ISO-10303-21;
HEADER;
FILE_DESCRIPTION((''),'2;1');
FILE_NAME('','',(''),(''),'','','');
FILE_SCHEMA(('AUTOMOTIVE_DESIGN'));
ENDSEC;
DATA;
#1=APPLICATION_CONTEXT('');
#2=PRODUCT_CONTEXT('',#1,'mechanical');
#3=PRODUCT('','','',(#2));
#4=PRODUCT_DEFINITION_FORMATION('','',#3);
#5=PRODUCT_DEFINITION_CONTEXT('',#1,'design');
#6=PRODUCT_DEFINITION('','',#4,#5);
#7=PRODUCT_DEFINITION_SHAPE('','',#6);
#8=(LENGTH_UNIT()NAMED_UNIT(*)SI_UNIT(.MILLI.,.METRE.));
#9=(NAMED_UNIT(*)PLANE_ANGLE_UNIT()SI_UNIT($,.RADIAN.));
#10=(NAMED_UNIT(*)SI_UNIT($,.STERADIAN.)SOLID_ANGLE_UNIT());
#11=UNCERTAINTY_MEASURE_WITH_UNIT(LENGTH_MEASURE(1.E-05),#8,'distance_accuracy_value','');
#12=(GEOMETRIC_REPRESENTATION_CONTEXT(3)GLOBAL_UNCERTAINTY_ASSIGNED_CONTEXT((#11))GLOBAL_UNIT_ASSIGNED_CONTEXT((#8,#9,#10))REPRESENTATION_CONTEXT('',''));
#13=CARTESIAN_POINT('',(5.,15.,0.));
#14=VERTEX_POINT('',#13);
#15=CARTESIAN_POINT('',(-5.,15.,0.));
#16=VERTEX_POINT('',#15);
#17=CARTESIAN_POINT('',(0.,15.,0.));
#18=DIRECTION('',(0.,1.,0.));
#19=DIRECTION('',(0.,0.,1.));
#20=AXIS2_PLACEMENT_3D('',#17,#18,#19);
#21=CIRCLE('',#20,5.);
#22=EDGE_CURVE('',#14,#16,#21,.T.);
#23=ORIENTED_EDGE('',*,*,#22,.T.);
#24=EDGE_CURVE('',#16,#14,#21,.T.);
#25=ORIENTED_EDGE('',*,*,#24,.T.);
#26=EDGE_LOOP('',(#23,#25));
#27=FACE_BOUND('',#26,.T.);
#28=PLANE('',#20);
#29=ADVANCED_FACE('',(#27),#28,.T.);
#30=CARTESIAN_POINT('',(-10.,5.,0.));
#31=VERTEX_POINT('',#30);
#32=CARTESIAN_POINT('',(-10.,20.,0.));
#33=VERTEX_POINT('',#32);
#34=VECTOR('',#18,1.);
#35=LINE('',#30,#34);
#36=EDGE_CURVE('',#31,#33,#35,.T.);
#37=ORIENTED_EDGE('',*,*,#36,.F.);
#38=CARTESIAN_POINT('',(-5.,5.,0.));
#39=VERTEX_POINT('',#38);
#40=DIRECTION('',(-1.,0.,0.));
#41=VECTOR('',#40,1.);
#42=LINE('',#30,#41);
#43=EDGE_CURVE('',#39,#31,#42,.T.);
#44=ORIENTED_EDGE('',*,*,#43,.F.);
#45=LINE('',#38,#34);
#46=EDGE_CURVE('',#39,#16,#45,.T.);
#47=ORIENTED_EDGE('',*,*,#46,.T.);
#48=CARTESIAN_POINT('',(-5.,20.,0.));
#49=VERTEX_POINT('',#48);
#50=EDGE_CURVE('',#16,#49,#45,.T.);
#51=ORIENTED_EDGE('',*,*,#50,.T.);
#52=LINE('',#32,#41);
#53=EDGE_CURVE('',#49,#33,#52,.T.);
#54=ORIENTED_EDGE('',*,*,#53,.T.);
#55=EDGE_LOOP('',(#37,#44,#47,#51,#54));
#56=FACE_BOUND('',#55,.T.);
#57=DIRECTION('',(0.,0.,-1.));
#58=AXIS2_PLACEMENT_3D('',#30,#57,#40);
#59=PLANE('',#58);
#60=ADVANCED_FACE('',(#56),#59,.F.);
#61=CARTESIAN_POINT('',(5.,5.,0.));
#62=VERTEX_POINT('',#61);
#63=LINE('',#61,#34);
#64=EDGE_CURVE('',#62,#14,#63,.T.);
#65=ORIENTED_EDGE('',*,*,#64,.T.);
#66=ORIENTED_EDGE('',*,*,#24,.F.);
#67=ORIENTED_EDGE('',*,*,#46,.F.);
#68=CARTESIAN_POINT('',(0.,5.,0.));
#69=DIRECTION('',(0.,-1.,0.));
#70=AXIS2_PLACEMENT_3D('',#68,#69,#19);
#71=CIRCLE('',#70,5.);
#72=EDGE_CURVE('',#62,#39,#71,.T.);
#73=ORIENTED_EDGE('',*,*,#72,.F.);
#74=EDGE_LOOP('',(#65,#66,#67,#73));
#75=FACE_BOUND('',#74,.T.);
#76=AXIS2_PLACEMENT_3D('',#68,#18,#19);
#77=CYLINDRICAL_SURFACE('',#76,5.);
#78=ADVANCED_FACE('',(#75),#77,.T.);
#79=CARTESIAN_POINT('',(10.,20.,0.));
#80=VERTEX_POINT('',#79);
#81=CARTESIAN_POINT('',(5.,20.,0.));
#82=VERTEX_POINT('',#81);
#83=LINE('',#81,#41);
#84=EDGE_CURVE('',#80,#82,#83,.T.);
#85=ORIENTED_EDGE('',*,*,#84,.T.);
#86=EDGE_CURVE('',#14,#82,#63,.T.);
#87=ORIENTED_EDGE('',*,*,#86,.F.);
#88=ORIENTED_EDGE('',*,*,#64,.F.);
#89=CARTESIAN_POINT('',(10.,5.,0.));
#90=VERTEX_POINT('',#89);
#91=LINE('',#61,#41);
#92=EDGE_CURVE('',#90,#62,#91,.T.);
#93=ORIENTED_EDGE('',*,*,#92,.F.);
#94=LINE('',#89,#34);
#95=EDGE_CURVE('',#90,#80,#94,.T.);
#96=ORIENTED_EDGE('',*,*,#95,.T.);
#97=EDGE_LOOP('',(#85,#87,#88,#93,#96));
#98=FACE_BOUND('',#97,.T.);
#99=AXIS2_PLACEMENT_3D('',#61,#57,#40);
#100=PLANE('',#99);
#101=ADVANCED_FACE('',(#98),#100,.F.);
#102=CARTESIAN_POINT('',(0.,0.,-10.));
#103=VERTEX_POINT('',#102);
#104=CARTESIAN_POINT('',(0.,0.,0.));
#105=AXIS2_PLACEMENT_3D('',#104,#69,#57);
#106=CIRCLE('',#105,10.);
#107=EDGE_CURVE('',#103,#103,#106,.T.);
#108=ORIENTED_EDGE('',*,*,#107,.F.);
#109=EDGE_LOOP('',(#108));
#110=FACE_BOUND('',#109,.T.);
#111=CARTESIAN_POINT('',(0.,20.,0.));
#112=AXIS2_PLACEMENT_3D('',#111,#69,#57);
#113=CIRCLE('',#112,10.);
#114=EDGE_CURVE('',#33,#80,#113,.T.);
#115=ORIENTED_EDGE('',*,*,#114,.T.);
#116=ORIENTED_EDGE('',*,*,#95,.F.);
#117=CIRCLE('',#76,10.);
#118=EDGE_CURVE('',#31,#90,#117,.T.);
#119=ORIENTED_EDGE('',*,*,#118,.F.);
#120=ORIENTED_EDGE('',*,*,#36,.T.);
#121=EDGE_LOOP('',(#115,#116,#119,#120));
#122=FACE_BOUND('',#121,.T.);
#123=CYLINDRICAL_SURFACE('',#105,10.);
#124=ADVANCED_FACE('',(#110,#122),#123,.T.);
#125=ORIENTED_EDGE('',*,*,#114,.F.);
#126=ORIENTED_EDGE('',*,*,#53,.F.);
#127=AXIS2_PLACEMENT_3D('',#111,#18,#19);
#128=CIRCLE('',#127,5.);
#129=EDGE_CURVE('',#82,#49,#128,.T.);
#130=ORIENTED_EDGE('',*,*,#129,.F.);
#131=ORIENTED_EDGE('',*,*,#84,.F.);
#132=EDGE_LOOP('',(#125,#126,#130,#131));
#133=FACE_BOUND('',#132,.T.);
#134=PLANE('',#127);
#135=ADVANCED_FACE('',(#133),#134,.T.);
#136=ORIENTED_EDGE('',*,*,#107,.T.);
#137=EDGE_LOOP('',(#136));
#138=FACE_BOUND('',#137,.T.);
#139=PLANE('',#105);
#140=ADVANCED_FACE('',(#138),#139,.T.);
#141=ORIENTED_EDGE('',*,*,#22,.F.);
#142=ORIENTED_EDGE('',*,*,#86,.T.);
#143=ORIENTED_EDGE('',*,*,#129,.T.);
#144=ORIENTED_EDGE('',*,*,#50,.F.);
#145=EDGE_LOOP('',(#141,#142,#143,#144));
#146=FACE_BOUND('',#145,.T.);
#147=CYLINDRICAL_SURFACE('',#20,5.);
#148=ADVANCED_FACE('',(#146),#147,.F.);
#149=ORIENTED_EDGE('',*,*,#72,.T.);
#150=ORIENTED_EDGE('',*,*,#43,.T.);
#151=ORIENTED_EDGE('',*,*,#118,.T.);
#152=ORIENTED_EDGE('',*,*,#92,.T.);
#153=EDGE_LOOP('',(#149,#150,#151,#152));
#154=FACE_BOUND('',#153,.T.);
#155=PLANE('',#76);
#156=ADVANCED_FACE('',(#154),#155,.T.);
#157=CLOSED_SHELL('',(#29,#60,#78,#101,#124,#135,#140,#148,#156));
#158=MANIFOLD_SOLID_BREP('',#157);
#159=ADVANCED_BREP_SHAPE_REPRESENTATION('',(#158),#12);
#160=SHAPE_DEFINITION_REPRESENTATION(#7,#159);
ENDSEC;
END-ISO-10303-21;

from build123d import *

# Parameters (mm, degrees)
SKETCH1_W          = 10
SKETCH1_H          = 20
SKETCH2_R          = 5
CUT_EXTRUDE5_DEPTH = 5
CUT_EXTRUDE6_DEPTH = 15


with BuildPart() as part:
    # Sketch1 → Revolve1 (revolve)
    with BuildSketch(Plane.XY):
        with Locations((5, 10)):
            Rectangle(SKETCH1_W, SKETCH1_H)
    revolve(axis=Axis((0, 0, 0), (0, 1, 0)))

    # Sketch2 → Cut-Extrude5 (cut)
    with BuildSketch(Plane(origin=(0, 20, 0), x_dir=(1, 0, 0), z_dir=(0, 1, 0))):
        Circle(SKETCH2_R)
    extrude(amount=-CUT_EXTRUDE5_DEPTH, mode=Mode.SUBTRACT)

    # Sketch5 → Cut-Extrude6 (cut)
    with BuildSketch(Plane(origin=(0, 20, 0), x_dir=(1, 0, 0), z_dir=(0, 1, 0))):
        with BuildLine():
            Line((-10, 0), (-5, 0))
            ThreePointArc((-5, 0), (0, -5), (5, 0))
            Line((5, 0), (10, 0))
            ThreePointArc((10, 0), (0, -10), (-10, 0))
        make_face()
    extrude(amount=-CUT_EXTRUDE6_DEPTH, mode=Mode.SUBTRACT)


solid = part.part
